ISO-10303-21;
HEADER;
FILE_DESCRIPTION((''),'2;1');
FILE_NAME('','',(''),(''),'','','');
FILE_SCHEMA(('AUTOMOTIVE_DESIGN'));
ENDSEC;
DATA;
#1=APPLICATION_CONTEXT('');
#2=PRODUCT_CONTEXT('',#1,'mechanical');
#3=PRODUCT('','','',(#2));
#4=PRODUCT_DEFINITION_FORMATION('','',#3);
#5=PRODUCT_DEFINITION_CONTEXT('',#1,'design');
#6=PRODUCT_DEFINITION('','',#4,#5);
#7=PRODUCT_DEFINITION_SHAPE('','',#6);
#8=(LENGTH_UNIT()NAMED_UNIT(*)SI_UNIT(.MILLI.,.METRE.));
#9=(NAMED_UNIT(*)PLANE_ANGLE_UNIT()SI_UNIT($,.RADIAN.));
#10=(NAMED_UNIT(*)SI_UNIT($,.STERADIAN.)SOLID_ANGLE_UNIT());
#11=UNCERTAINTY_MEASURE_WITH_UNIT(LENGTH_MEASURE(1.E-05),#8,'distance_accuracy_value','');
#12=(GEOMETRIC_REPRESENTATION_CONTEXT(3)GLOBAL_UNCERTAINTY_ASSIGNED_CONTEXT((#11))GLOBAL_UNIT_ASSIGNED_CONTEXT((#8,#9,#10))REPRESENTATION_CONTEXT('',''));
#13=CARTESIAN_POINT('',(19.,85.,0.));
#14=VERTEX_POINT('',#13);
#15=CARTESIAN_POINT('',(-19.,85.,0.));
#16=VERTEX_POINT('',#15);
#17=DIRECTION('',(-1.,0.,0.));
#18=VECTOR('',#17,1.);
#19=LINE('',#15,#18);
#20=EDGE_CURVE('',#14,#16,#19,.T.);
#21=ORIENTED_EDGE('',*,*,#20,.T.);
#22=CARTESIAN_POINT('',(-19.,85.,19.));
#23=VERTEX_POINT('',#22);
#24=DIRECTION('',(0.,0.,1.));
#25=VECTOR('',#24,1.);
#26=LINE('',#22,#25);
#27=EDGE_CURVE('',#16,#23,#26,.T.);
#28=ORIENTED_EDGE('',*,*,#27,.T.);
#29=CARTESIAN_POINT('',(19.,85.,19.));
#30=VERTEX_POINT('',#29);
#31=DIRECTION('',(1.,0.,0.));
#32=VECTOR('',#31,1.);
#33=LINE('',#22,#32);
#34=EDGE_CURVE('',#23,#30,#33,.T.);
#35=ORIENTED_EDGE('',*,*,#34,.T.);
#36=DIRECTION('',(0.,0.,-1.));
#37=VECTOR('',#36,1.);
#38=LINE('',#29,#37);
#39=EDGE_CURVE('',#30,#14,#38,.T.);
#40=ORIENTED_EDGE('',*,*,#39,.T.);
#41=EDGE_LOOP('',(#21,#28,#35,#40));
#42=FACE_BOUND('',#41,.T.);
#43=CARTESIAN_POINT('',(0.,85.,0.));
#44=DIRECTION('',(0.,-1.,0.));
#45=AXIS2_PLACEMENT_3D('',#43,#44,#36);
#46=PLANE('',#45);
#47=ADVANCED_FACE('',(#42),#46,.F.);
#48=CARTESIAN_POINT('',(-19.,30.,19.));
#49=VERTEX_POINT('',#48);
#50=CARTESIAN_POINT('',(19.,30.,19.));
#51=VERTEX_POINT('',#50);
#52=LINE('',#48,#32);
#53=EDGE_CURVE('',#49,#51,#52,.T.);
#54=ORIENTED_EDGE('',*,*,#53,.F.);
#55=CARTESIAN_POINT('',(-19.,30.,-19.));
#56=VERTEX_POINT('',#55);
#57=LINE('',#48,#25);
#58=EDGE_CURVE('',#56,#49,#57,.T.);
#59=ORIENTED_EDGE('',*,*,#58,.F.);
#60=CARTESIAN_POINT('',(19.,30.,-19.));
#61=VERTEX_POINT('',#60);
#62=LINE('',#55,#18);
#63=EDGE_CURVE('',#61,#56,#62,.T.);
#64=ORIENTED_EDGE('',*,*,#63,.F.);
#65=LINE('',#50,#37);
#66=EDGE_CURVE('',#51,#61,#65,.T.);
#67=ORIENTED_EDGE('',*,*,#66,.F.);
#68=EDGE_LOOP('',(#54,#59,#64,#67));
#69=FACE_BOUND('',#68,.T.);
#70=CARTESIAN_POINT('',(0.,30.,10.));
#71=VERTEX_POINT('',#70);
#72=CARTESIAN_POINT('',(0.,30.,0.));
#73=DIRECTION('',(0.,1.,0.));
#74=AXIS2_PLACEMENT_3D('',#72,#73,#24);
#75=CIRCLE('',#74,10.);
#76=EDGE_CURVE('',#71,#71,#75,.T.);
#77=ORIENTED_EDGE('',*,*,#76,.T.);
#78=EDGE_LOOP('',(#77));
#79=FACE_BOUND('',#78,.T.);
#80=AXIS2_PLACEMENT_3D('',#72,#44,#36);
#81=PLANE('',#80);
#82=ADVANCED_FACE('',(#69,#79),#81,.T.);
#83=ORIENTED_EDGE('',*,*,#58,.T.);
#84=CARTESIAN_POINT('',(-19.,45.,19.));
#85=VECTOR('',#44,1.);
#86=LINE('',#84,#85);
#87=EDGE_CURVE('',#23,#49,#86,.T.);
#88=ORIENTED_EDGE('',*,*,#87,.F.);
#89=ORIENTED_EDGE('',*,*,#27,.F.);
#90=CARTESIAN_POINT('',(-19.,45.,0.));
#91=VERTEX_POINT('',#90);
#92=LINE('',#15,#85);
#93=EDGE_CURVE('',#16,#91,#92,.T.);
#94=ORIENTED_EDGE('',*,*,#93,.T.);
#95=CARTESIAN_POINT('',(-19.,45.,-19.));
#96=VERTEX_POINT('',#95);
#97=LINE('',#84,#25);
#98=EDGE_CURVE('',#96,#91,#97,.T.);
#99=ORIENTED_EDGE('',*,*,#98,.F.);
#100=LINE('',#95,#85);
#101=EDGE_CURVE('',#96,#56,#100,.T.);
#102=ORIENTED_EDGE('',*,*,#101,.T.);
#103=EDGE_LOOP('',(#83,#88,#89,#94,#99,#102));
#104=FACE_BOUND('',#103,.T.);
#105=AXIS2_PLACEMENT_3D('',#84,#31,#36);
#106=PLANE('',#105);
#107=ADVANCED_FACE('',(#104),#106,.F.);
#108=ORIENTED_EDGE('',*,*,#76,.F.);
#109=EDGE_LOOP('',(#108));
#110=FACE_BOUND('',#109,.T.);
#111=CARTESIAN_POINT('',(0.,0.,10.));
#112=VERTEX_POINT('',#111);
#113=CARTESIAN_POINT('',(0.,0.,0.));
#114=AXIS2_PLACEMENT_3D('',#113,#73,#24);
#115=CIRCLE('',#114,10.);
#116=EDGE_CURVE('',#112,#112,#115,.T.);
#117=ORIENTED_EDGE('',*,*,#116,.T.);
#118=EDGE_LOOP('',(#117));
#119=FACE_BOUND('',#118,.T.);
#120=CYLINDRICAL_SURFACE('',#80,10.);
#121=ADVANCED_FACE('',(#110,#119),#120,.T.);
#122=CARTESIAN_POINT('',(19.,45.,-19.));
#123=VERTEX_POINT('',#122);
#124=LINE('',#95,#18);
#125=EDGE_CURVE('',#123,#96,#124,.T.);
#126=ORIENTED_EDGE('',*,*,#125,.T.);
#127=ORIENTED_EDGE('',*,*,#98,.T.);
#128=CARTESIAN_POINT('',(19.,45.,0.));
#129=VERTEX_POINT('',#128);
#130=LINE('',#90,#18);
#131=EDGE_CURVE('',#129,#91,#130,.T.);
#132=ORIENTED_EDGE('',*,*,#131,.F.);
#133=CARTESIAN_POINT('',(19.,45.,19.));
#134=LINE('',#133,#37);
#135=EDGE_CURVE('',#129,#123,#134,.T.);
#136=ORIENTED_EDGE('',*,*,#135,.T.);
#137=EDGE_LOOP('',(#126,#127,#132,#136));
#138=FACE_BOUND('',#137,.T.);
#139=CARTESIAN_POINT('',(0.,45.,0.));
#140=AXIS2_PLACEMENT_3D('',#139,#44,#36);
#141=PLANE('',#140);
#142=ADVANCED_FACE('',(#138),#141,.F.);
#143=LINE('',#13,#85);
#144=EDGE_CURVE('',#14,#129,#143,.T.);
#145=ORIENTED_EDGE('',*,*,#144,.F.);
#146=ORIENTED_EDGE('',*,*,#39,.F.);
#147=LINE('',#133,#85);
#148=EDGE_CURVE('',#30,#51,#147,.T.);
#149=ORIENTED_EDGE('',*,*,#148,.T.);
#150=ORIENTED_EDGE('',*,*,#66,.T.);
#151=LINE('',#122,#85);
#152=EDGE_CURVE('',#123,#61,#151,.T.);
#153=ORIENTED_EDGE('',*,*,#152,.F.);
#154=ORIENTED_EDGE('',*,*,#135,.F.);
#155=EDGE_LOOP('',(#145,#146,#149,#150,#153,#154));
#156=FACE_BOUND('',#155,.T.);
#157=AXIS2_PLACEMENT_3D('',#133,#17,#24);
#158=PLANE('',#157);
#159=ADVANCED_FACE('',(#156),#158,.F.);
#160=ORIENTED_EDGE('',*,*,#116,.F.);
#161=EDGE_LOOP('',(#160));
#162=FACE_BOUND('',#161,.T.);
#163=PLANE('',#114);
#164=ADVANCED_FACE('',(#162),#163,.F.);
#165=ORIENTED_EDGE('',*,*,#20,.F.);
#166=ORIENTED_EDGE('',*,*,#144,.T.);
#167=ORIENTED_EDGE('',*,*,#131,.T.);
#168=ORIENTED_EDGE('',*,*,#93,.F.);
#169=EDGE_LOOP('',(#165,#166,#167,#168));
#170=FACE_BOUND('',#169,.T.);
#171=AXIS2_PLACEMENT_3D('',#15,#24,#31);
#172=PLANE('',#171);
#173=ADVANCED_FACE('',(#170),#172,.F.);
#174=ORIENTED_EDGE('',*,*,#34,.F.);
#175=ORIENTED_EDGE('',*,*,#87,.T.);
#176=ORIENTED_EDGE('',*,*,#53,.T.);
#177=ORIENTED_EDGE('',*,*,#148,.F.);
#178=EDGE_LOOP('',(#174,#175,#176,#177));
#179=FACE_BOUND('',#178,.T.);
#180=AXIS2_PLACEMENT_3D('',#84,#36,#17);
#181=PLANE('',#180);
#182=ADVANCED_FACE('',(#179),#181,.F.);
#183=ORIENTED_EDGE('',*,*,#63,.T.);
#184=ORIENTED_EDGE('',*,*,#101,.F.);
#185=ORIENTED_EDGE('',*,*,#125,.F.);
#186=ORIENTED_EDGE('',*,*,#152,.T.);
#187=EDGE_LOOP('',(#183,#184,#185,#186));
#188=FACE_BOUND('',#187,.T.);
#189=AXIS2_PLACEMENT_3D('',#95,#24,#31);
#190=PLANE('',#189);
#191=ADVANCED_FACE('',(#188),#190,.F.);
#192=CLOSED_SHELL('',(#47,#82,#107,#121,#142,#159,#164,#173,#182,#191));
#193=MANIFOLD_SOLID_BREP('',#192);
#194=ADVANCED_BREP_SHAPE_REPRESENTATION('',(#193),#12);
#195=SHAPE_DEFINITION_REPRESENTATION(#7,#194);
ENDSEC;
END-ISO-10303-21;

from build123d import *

# Parameters (mm, degrees)
SKETCH1_R           = 10
BOSS_EXTRUDE1_DEPTH = 30
SKETCH2_W           = 38
SKETCH2_H           = 38
BOSS_EXTRUDE2_DEPTH = 15
SKETCH3_W           = 38
SKETCH3_H           = 19
BOSS_EXTRUDE3_DEPTH = 40


with BuildPart() as part:
    # Sketch1 → Boss-Extrude1 (new body)
    with BuildSketch(Plane(origin=(0, 0, 0), x_dir=(1, 0, 0), z_dir=(0, 1, 0))):
        with Locations(Location((0, 0, 0), (0, 0, 270))):
            Circle(SKETCH1_R)
    extrude(amount=BOSS_EXTRUDE1_DEPTH)

    # Sketch2 → Boss-Extrude2 (add)
    with BuildSketch(Plane(origin=(0, 30, 0), x_dir=(1, 0, 0), z_dir=(0, 1, 0))):
        Rectangle(SKETCH2_W, SKETCH2_H)
    extrude(amount=BOSS_EXTRUDE2_DEPTH)

    # Sketch3 → Boss-Extrude3 (add)
    with BuildSketch(Plane(origin=(0, 45, 0), x_dir=(1, 0, 0), z_dir=(0, 1, 0))):
        with Locations((0, -9.5)):
            Rectangle(SKETCH3_W, SKETCH3_H)
    extrude(amount=BOSS_EXTRUDE3_DEPTH)


solid = part.part
